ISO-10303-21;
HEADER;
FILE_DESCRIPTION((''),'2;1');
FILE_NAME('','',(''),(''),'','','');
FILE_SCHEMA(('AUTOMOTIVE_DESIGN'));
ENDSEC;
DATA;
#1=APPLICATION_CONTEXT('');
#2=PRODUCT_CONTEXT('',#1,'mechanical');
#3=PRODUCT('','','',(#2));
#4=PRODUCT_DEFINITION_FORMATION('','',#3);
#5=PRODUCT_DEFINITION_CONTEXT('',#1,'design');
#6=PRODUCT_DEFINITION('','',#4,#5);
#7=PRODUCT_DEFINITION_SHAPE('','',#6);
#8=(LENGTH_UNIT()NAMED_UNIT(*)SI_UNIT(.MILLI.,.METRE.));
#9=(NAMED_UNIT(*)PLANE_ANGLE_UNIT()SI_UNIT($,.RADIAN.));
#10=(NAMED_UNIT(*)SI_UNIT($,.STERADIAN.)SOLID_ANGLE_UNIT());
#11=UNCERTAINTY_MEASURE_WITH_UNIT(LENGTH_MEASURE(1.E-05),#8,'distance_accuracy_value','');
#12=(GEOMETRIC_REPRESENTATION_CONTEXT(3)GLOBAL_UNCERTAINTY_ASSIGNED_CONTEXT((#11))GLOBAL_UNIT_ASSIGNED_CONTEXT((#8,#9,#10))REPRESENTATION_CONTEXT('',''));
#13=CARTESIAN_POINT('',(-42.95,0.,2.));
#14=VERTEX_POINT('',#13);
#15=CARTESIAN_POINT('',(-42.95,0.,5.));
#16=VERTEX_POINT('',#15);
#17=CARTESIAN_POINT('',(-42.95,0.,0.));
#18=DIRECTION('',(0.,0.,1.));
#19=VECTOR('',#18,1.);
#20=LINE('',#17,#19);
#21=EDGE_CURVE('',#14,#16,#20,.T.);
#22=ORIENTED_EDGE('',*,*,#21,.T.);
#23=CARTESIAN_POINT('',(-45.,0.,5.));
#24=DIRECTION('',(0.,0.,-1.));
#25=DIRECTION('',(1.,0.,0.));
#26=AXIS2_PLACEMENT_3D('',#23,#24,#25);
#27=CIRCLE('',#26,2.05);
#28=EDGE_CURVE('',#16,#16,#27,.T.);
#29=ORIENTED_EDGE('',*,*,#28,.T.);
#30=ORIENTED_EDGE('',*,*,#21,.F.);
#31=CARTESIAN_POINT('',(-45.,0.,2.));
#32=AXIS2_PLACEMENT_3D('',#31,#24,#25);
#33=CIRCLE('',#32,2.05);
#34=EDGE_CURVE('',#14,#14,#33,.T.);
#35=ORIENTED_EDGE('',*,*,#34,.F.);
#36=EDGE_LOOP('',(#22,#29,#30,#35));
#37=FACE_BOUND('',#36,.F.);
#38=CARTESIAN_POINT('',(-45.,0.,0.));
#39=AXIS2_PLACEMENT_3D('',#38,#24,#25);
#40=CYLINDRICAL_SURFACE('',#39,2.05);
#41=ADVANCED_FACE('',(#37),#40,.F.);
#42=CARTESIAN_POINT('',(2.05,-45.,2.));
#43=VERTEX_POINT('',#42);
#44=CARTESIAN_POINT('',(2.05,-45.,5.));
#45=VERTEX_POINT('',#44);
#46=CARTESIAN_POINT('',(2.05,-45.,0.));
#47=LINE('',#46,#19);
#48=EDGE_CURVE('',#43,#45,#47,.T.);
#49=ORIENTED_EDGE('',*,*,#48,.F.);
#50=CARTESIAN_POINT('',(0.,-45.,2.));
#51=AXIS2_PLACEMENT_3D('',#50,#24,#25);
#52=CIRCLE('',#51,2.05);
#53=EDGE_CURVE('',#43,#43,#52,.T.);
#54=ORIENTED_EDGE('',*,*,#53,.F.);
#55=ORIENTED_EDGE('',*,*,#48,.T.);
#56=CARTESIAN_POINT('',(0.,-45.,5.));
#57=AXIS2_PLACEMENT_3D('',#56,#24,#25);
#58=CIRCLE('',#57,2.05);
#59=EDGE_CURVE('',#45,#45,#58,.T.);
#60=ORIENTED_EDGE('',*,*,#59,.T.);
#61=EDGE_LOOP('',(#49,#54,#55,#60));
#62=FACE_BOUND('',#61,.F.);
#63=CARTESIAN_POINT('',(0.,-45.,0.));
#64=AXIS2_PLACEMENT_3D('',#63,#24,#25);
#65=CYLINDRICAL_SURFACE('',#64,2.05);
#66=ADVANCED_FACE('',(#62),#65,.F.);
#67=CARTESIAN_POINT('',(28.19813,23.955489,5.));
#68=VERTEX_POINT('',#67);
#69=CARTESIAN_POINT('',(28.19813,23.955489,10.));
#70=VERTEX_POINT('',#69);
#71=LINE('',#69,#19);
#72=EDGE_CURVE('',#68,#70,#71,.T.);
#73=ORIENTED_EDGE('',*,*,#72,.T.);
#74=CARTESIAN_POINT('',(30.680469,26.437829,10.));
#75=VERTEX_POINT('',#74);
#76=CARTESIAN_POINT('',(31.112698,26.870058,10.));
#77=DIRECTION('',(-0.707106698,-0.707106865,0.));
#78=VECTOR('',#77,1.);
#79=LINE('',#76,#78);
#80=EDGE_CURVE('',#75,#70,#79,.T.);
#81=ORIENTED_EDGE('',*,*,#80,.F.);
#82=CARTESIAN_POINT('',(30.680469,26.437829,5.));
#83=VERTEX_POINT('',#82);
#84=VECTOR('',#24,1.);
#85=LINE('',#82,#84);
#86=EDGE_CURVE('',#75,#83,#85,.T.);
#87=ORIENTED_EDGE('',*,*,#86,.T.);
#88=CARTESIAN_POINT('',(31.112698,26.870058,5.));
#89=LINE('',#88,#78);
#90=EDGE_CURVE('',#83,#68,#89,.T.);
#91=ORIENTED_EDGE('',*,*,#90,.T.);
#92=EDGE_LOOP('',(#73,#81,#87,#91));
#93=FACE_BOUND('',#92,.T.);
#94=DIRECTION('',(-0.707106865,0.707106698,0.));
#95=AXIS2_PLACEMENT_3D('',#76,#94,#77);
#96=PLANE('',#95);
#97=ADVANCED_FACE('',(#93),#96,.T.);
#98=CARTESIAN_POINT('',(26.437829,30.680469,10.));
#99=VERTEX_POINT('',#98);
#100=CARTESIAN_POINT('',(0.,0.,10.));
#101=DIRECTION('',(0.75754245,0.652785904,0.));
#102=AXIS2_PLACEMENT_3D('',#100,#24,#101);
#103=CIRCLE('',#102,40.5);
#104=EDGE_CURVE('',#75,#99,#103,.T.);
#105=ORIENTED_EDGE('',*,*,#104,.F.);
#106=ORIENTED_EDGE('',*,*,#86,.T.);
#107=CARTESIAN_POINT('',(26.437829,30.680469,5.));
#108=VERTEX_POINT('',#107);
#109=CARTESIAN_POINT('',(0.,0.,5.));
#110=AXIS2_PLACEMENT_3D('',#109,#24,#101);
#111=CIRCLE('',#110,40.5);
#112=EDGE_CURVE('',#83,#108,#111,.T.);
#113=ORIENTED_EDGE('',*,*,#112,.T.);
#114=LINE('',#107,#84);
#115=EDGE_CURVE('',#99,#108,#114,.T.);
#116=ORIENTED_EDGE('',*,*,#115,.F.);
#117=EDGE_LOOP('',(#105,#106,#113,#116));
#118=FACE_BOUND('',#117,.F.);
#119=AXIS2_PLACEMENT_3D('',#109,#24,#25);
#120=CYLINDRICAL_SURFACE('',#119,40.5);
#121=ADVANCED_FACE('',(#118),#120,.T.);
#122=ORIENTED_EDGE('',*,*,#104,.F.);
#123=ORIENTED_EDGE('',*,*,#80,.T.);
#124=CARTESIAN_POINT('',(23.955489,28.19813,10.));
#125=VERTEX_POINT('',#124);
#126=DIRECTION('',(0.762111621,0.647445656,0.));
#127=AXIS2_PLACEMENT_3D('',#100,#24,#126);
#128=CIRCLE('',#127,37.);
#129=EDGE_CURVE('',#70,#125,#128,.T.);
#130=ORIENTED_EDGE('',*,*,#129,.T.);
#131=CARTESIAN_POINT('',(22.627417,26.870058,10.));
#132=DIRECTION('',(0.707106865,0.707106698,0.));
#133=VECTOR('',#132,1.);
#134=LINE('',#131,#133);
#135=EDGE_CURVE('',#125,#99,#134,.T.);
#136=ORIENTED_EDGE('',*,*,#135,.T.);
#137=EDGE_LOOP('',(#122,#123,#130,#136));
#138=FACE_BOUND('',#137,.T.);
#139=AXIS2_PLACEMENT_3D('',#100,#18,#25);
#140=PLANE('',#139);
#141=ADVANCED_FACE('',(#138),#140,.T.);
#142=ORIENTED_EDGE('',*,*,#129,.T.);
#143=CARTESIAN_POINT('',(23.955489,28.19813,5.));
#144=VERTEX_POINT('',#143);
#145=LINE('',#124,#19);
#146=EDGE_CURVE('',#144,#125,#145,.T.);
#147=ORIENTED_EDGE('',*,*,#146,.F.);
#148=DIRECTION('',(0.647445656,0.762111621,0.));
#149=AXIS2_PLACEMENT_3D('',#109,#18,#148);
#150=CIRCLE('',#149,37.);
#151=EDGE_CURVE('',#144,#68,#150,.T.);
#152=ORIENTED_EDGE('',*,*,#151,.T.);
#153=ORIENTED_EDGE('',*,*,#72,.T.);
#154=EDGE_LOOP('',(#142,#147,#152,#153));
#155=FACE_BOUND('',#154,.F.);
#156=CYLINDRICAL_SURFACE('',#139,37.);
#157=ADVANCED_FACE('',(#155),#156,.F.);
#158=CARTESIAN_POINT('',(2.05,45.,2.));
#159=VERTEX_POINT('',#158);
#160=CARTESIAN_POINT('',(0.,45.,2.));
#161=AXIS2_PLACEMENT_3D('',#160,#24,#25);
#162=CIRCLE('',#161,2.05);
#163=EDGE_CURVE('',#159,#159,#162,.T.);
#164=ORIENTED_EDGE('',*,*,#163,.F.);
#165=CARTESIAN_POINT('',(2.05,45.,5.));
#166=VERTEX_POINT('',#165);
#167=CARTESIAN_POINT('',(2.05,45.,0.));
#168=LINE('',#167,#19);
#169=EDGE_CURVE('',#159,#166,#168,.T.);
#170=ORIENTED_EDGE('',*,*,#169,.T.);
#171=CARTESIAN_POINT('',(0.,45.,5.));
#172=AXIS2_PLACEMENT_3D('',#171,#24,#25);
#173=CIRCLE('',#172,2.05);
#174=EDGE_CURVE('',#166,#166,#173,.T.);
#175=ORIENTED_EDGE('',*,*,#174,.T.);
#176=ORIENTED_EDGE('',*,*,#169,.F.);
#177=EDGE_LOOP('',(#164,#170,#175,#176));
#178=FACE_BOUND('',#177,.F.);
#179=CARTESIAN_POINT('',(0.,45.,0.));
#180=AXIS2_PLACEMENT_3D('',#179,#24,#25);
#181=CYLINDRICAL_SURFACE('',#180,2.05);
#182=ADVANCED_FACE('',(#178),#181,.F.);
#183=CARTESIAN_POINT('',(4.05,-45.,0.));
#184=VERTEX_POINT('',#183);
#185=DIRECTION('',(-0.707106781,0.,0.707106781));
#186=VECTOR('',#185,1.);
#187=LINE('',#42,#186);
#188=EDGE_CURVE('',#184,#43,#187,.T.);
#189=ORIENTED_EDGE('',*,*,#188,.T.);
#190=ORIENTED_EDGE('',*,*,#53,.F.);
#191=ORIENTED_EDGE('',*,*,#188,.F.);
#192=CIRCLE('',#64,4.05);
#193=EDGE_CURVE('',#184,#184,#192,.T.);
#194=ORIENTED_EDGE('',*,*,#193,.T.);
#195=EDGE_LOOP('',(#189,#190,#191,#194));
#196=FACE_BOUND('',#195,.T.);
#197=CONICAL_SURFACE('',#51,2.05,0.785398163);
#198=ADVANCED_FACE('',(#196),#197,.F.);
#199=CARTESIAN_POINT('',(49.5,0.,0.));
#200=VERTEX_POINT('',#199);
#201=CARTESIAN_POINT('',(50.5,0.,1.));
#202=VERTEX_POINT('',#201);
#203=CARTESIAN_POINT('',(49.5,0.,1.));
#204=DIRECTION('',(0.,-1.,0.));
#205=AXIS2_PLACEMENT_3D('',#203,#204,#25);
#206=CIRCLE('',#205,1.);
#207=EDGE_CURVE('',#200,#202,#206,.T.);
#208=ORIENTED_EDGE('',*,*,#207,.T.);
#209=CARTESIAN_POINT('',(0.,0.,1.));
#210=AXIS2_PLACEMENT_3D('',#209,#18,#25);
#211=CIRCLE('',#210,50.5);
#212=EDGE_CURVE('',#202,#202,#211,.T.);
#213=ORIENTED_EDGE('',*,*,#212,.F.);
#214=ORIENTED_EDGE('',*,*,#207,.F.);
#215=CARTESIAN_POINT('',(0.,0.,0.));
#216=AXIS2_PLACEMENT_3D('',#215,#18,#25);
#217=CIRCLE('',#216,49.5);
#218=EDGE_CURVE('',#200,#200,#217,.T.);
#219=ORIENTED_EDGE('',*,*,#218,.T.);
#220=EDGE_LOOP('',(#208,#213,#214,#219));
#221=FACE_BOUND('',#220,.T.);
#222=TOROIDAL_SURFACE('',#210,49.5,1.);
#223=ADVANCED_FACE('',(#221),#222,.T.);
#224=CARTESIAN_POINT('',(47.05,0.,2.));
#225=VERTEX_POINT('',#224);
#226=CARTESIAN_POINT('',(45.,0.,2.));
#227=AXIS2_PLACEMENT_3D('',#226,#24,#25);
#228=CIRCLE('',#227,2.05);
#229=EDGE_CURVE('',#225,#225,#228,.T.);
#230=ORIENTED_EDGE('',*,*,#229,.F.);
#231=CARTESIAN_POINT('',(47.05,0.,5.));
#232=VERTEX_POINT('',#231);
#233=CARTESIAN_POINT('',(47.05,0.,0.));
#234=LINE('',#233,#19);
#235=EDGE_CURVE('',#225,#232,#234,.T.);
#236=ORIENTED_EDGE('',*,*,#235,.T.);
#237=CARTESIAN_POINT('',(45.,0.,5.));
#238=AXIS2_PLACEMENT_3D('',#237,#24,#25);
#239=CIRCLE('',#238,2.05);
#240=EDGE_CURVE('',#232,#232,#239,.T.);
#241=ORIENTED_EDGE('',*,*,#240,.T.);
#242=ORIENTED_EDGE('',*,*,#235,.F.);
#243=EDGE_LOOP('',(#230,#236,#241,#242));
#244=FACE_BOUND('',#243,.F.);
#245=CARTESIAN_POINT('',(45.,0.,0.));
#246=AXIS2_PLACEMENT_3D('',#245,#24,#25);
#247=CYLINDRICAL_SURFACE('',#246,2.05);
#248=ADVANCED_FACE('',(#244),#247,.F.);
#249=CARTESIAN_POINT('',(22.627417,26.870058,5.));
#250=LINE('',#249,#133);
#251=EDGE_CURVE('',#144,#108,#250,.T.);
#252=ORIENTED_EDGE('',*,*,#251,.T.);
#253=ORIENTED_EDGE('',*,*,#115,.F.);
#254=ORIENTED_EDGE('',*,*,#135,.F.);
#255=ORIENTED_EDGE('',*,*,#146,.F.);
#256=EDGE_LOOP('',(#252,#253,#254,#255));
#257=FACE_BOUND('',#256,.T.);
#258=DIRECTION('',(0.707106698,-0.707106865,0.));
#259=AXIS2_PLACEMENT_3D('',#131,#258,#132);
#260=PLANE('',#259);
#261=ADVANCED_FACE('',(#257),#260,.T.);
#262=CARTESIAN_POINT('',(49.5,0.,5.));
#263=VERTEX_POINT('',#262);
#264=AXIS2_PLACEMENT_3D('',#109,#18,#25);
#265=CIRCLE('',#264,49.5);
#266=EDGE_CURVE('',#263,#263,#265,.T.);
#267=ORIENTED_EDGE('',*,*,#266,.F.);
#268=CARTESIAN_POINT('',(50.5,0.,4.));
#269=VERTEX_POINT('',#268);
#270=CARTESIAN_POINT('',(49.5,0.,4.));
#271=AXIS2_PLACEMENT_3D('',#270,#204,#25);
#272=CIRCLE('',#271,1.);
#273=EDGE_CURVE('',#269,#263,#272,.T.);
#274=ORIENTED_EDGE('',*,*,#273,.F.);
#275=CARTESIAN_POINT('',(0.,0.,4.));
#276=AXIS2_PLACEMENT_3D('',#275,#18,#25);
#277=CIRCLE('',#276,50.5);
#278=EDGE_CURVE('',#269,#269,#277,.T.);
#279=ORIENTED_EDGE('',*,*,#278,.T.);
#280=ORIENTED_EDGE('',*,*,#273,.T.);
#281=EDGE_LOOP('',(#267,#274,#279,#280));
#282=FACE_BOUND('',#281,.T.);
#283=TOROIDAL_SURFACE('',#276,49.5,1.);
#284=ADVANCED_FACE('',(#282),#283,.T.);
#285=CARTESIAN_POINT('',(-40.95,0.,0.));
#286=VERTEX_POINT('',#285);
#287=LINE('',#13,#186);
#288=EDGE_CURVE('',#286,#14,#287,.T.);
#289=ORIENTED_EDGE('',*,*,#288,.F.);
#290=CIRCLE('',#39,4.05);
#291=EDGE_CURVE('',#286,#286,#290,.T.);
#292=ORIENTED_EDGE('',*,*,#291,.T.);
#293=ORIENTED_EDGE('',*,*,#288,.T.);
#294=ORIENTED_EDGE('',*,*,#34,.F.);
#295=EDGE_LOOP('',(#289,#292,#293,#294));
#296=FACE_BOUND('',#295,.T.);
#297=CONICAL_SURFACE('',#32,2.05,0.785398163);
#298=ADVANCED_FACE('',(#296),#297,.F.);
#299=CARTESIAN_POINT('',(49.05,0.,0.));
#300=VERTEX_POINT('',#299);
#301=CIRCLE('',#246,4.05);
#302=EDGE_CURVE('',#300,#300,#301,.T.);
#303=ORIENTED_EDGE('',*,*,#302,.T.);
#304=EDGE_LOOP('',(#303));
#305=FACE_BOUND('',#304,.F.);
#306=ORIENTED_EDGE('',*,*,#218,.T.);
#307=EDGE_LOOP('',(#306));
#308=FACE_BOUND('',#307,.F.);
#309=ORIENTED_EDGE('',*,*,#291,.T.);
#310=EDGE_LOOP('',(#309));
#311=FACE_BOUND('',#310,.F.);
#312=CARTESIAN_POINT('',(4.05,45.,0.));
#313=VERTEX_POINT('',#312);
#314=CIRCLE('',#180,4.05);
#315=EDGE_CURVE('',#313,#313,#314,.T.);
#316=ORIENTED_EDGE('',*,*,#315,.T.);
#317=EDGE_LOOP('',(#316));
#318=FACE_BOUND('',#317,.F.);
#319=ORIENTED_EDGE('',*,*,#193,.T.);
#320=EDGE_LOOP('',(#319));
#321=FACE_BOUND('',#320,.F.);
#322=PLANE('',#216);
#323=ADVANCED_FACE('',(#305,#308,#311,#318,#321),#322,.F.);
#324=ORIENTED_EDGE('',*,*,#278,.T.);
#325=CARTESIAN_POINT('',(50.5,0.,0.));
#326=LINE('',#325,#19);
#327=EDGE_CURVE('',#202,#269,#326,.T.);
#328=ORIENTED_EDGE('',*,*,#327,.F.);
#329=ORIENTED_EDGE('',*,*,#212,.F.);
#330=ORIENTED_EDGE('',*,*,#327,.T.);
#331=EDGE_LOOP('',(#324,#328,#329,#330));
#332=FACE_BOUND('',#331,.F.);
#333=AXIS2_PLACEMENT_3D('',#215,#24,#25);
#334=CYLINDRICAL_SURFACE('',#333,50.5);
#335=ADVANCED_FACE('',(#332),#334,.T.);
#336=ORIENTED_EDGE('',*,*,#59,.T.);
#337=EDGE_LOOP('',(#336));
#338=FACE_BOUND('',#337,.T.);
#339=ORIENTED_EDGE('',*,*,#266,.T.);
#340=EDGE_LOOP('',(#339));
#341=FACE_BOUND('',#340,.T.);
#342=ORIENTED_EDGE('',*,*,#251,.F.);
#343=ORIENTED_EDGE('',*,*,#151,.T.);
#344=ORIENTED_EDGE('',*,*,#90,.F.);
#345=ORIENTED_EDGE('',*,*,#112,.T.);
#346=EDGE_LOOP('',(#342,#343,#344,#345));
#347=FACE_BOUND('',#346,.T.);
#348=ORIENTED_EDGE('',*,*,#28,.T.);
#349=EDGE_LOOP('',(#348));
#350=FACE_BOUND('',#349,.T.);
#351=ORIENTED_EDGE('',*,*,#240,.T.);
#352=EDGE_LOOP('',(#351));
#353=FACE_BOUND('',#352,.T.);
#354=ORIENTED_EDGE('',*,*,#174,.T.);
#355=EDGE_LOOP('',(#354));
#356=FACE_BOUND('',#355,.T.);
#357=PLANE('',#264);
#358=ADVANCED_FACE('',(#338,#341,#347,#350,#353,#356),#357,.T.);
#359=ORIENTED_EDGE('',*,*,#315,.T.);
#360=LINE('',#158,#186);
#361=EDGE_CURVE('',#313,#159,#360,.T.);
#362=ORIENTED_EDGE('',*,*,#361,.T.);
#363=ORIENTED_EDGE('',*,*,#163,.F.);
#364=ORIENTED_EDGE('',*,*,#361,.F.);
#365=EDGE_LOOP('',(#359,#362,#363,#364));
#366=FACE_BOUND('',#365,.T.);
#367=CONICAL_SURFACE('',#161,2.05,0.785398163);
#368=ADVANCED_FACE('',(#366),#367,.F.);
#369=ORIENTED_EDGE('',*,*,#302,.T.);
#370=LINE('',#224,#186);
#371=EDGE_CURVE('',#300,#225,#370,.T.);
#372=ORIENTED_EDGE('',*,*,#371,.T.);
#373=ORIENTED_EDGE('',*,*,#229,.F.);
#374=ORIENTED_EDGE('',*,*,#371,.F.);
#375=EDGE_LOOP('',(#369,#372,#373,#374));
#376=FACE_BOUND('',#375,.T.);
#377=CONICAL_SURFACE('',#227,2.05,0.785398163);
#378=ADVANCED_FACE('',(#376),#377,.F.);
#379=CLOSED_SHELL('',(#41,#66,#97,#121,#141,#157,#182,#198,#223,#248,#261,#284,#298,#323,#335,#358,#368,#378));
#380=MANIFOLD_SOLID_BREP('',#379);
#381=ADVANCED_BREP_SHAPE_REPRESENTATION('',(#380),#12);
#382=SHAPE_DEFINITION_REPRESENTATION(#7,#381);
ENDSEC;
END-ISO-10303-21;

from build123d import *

# Parameters (mm, degrees)
SKETCH_R        = 50.5
PAD_DEPTH       = 5
SKETCH001_R     = 40.5
PAD001_DEPTH    = 5
SKETCH002_R     = 37
POCKET_DEPTH    = 5
POCKET001_DEPTH = 5
SKETCH004_R     = 2.05
POCKET002_DEPTH = 5
CHAMFER_SIZE    = 2
FILLET_R        = 1


with BuildPart() as part:
    # Sketch → Pad (new body)
    with BuildSketch(Plane.XY):
        Circle(SKETCH_R)
    extrude(amount=PAD_DEPTH)

    # Sketch001 (on Face3 of Pad) → Pad001 (join)
    with BuildSketch(Plane.XY.offset(5)):
        Circle(SKETCH001_R)
    extrude(amount=PAD001_DEPTH)

    # Sketch002 (on Face5 of Pad001) → Pocket (cut)
    with BuildSketch(Plane.XY.offset(10)):
        Circle(SKETCH002_R)
    extrude(amount=-POCKET_DEPTH, mode=Mode.SUBTRACT)

    # Sketch003 (on Face5 of Pocket) → Pocket001 (cut)
    with BuildSketch(Plane.XY.offset(10)):
        Polygon((26.870058, 31.112698), (31.112698, 26.870058), (26.870058, 22.627417), (22.627417, 26.870058), align=None)
    extrude(amount=-POCKET001_DEPTH, mode=Mode.SUBTRACT)

    # Sketch004 (on Face2 of Pocket001) → Pocket002 (cut)
    with BuildSketch(Plane(origin=(0, 0, 0), x_dir=(1, 0, 0), z_dir=(0, 0, -1))):
        with Locations((0, 45)):
            Circle(SKETCH004_R)
        with Locations((-45, 0)):
            Circle(SKETCH004_R)
        with Locations((45, 0)):
            Circle(SKETCH004_R)
        with Locations((0, -45)):
            Circle(SKETCH004_R)
    extrude(amount=-POCKET002_DEPTH, mode=Mode.SUBTRACT)

    # Chamfer
    chamfer_edges = [part.edges().sort_by_distance(p)[0] for p in [
        (42.95, 0, 0),
        (-2.05, 45, 0),
        (-47.05, 0, 0),
        (-2.05, -45, 0),
    ]]
    chamfer(chamfer_edges, length=CHAMFER_SIZE)

    # Fillet
    fillet_edges = [part.edges().sort_by_distance(p)[0] for p in [
        (-50.5, 0, 0),
        (-50.5, 0, 5),
    ]]
    fillet(fillet_edges, radius=FILLET_R)


solid = part.part
